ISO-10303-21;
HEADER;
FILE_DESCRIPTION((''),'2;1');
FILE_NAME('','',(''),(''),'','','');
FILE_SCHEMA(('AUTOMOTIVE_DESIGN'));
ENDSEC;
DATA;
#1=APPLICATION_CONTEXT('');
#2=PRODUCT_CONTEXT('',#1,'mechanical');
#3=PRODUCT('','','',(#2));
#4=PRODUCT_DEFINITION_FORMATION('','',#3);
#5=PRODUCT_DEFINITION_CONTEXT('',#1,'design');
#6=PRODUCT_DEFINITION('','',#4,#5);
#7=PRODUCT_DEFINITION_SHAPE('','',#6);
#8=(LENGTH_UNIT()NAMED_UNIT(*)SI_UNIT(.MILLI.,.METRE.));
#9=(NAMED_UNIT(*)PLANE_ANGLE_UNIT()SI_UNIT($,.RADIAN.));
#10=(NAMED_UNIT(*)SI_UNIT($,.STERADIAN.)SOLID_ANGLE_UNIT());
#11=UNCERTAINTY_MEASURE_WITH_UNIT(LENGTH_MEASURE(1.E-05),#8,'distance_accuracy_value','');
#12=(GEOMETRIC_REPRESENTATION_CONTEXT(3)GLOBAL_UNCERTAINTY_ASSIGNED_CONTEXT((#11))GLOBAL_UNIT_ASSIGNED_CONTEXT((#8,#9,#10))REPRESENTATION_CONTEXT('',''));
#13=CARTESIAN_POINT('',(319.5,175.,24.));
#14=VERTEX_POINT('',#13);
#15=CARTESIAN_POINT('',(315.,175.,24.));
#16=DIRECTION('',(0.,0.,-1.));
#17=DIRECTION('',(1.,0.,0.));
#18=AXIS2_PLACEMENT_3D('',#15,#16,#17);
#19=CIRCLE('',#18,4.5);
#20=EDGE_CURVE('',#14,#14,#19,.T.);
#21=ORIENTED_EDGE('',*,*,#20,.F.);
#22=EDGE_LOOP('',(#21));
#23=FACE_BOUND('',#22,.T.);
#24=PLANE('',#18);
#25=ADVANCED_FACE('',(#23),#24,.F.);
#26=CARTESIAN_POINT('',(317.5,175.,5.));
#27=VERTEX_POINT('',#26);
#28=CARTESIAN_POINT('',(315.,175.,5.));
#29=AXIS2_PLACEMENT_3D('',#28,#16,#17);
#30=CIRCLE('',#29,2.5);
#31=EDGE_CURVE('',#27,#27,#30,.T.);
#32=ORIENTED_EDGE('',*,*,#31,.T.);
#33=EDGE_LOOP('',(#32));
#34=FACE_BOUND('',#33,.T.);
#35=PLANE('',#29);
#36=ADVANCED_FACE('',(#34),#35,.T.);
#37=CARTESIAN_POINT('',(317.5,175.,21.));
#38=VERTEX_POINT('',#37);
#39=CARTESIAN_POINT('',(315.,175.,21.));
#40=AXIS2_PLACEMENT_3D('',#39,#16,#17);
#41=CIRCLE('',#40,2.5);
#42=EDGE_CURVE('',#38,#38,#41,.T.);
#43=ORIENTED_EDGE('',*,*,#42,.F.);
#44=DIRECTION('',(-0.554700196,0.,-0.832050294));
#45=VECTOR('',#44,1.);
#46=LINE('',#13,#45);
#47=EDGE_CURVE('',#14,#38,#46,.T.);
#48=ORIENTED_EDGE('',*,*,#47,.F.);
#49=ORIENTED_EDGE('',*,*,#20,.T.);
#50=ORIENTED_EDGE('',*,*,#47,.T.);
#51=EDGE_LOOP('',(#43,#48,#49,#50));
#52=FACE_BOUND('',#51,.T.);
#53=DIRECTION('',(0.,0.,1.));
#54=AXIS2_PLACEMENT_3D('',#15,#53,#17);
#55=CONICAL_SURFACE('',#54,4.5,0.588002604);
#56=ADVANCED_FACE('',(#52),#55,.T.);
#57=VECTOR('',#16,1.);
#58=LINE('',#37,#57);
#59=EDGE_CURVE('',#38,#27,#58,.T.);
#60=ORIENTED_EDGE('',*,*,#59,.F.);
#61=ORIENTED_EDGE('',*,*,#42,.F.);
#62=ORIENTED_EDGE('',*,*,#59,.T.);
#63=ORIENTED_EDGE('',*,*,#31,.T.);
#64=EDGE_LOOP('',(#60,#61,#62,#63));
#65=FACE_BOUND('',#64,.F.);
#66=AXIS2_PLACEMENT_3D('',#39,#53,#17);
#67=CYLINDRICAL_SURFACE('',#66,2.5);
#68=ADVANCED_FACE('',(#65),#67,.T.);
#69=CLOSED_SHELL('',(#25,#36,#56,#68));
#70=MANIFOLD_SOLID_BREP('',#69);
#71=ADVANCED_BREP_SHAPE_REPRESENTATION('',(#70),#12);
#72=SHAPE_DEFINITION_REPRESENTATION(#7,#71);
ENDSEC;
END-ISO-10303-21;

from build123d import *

# Parameters (mm, degrees)
CYLINDER011_R                   = 2.5
CYLINDER011_DEPTH               = 16
FUSION001018017_PLACEMENT_ANGLE = 180
CLONE021_PLACEMENT_ANGLE        = 180


with BuildPart() as cone003:
    # Cone003 → Cone003 (revolve)
    with BuildSketch(Plane(origin=(0, 0, -3), x_dir=(1, 0, 0), z_dir=(0, -1, 0))):
        Polygon((0, 0), (4.5, 0), (2.5, 3), (0, 3), align=None)
    revolve(axis=Axis((0, 0, -3), (0, 0, 1)))


with BuildPart() as m5x16_senkkopf014:
    # Cylinder011 → Cylinder011 (new body)
    with BuildSketch(Plane.XY):
        Circle(CYLINDER011_R)
    extrude(amount=CYLINDER011_DEPTH)

    # Fusion001018017: union Cone003
    add(cone003.part)


with BuildPart() as m5x16_senkkopf014_1:
    # Fusion001018017 placement: moved
    add(m5x16_senkkopf014.part.moved(Location((45, 15, 21))).rotate(Axis((45, 15, 21), (0, 1, 0)), FUSION001018017_PLACEMENT_ANGLE))


with BuildPart() as m5x16_senkkopf014_2:
    # Clone021 placement: moved
    add(m5x16_senkkopf014_1.part.moved(Location((90, 190, 0))).rotate(Axis((90, 190, 0), (0, 0, 1)), CLONE021_PLACEMENT_ANGLE))


with BuildPart() as m5x16_senkkopf014_3:
    # Clone030 placement: moved
    add(m5x16_senkkopf014_2.part.moved(Location((270, 0, 0))))


solid = m5x16_senkkopf014_3.part
